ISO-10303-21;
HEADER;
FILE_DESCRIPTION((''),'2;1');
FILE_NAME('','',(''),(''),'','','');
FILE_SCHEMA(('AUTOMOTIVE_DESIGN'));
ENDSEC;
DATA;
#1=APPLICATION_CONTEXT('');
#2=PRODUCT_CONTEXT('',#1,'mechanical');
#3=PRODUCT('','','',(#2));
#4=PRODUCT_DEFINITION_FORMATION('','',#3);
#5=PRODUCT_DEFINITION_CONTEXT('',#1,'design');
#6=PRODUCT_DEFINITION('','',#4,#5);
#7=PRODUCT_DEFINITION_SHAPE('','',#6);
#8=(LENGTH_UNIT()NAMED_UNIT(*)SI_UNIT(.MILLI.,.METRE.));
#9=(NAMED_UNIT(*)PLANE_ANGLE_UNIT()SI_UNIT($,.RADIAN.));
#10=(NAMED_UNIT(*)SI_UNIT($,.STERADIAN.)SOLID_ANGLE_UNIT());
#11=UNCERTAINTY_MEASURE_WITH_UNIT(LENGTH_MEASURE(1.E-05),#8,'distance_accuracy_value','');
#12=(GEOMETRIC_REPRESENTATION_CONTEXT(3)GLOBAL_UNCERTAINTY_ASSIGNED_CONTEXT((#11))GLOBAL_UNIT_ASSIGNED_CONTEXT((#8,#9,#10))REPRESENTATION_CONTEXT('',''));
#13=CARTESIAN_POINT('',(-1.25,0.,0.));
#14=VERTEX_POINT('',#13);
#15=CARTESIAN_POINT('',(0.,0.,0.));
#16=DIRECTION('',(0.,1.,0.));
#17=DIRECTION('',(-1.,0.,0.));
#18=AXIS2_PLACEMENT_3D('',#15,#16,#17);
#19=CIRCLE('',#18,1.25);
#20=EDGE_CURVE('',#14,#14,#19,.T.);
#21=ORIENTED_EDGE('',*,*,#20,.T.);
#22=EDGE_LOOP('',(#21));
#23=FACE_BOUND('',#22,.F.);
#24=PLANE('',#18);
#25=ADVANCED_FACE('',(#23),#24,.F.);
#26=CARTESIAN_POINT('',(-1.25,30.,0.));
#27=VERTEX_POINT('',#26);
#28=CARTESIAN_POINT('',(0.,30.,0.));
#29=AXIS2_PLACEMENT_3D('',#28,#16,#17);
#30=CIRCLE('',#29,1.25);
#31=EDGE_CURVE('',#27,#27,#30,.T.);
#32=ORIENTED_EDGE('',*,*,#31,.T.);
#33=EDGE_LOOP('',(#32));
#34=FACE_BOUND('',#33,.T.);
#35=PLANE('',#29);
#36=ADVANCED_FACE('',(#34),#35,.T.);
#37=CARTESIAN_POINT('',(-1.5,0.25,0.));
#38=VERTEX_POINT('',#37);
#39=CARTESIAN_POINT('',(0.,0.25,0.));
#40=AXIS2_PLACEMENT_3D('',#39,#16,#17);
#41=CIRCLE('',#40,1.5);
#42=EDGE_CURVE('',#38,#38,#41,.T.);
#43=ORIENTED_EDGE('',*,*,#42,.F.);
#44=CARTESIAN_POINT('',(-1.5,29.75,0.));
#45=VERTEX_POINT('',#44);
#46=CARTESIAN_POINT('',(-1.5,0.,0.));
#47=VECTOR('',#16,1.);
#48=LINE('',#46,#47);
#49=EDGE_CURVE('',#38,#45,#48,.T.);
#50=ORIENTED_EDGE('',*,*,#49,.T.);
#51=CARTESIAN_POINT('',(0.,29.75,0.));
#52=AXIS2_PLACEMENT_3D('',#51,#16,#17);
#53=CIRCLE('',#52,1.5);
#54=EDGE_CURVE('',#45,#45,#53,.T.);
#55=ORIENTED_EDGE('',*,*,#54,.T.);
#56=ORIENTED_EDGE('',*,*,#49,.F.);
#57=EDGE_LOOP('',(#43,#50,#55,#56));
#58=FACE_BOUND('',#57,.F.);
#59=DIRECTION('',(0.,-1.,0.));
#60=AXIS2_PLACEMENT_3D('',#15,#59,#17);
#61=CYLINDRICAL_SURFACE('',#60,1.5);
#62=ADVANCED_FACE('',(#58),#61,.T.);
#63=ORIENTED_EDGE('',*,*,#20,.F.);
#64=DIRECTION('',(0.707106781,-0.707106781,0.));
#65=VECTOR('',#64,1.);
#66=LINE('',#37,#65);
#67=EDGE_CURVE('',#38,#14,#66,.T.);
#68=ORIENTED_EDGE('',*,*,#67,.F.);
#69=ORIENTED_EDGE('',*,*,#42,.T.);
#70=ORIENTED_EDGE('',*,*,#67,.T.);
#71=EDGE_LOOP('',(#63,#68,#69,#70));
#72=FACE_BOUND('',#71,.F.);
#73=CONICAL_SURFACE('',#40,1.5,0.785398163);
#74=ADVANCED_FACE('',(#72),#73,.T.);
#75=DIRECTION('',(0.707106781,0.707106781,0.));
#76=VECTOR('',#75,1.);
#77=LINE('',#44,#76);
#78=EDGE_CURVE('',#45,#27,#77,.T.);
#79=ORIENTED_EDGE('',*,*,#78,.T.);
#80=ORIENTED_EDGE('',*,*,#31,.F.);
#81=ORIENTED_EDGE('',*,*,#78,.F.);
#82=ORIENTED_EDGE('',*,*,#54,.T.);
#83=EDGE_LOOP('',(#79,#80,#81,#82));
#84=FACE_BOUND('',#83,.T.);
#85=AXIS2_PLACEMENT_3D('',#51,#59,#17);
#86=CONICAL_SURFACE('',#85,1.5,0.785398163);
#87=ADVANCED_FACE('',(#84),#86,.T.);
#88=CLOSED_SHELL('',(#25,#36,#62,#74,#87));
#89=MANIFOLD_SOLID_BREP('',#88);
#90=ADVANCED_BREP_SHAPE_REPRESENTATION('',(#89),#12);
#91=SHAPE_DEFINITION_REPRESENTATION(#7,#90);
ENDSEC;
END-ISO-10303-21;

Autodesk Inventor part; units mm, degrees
ref_plane "YZ Plane" through (0, 0, 0) normal (1, 0, 0) x (0, 1, 0)
ref_plane "XZ Plane" through (0, 0, 0) normal (0, 1, 0) x (-1, 0, 0)
ref_plane "XY Plane" through (0, 0, 0) normal (0, 0, 1) x (1, 0, 0)
sketch "Sketch1" plane through (0, 0, 0) normal (0, 1, 0) x (-1, 0, 0)
  circle A0 centre (0, 0) radius 1.5
  dimension "d0" = 3
extrude "Extrusion1" add sketch "Sketch1" along normal blind 30
chamfer "Chamfer1" distance 0.25 angle 45 2 edges at (1.5, 30, 0) (1.5, 0, 0)
properties part number "3x30 Pin" material "Stainless Steel, 440C"
